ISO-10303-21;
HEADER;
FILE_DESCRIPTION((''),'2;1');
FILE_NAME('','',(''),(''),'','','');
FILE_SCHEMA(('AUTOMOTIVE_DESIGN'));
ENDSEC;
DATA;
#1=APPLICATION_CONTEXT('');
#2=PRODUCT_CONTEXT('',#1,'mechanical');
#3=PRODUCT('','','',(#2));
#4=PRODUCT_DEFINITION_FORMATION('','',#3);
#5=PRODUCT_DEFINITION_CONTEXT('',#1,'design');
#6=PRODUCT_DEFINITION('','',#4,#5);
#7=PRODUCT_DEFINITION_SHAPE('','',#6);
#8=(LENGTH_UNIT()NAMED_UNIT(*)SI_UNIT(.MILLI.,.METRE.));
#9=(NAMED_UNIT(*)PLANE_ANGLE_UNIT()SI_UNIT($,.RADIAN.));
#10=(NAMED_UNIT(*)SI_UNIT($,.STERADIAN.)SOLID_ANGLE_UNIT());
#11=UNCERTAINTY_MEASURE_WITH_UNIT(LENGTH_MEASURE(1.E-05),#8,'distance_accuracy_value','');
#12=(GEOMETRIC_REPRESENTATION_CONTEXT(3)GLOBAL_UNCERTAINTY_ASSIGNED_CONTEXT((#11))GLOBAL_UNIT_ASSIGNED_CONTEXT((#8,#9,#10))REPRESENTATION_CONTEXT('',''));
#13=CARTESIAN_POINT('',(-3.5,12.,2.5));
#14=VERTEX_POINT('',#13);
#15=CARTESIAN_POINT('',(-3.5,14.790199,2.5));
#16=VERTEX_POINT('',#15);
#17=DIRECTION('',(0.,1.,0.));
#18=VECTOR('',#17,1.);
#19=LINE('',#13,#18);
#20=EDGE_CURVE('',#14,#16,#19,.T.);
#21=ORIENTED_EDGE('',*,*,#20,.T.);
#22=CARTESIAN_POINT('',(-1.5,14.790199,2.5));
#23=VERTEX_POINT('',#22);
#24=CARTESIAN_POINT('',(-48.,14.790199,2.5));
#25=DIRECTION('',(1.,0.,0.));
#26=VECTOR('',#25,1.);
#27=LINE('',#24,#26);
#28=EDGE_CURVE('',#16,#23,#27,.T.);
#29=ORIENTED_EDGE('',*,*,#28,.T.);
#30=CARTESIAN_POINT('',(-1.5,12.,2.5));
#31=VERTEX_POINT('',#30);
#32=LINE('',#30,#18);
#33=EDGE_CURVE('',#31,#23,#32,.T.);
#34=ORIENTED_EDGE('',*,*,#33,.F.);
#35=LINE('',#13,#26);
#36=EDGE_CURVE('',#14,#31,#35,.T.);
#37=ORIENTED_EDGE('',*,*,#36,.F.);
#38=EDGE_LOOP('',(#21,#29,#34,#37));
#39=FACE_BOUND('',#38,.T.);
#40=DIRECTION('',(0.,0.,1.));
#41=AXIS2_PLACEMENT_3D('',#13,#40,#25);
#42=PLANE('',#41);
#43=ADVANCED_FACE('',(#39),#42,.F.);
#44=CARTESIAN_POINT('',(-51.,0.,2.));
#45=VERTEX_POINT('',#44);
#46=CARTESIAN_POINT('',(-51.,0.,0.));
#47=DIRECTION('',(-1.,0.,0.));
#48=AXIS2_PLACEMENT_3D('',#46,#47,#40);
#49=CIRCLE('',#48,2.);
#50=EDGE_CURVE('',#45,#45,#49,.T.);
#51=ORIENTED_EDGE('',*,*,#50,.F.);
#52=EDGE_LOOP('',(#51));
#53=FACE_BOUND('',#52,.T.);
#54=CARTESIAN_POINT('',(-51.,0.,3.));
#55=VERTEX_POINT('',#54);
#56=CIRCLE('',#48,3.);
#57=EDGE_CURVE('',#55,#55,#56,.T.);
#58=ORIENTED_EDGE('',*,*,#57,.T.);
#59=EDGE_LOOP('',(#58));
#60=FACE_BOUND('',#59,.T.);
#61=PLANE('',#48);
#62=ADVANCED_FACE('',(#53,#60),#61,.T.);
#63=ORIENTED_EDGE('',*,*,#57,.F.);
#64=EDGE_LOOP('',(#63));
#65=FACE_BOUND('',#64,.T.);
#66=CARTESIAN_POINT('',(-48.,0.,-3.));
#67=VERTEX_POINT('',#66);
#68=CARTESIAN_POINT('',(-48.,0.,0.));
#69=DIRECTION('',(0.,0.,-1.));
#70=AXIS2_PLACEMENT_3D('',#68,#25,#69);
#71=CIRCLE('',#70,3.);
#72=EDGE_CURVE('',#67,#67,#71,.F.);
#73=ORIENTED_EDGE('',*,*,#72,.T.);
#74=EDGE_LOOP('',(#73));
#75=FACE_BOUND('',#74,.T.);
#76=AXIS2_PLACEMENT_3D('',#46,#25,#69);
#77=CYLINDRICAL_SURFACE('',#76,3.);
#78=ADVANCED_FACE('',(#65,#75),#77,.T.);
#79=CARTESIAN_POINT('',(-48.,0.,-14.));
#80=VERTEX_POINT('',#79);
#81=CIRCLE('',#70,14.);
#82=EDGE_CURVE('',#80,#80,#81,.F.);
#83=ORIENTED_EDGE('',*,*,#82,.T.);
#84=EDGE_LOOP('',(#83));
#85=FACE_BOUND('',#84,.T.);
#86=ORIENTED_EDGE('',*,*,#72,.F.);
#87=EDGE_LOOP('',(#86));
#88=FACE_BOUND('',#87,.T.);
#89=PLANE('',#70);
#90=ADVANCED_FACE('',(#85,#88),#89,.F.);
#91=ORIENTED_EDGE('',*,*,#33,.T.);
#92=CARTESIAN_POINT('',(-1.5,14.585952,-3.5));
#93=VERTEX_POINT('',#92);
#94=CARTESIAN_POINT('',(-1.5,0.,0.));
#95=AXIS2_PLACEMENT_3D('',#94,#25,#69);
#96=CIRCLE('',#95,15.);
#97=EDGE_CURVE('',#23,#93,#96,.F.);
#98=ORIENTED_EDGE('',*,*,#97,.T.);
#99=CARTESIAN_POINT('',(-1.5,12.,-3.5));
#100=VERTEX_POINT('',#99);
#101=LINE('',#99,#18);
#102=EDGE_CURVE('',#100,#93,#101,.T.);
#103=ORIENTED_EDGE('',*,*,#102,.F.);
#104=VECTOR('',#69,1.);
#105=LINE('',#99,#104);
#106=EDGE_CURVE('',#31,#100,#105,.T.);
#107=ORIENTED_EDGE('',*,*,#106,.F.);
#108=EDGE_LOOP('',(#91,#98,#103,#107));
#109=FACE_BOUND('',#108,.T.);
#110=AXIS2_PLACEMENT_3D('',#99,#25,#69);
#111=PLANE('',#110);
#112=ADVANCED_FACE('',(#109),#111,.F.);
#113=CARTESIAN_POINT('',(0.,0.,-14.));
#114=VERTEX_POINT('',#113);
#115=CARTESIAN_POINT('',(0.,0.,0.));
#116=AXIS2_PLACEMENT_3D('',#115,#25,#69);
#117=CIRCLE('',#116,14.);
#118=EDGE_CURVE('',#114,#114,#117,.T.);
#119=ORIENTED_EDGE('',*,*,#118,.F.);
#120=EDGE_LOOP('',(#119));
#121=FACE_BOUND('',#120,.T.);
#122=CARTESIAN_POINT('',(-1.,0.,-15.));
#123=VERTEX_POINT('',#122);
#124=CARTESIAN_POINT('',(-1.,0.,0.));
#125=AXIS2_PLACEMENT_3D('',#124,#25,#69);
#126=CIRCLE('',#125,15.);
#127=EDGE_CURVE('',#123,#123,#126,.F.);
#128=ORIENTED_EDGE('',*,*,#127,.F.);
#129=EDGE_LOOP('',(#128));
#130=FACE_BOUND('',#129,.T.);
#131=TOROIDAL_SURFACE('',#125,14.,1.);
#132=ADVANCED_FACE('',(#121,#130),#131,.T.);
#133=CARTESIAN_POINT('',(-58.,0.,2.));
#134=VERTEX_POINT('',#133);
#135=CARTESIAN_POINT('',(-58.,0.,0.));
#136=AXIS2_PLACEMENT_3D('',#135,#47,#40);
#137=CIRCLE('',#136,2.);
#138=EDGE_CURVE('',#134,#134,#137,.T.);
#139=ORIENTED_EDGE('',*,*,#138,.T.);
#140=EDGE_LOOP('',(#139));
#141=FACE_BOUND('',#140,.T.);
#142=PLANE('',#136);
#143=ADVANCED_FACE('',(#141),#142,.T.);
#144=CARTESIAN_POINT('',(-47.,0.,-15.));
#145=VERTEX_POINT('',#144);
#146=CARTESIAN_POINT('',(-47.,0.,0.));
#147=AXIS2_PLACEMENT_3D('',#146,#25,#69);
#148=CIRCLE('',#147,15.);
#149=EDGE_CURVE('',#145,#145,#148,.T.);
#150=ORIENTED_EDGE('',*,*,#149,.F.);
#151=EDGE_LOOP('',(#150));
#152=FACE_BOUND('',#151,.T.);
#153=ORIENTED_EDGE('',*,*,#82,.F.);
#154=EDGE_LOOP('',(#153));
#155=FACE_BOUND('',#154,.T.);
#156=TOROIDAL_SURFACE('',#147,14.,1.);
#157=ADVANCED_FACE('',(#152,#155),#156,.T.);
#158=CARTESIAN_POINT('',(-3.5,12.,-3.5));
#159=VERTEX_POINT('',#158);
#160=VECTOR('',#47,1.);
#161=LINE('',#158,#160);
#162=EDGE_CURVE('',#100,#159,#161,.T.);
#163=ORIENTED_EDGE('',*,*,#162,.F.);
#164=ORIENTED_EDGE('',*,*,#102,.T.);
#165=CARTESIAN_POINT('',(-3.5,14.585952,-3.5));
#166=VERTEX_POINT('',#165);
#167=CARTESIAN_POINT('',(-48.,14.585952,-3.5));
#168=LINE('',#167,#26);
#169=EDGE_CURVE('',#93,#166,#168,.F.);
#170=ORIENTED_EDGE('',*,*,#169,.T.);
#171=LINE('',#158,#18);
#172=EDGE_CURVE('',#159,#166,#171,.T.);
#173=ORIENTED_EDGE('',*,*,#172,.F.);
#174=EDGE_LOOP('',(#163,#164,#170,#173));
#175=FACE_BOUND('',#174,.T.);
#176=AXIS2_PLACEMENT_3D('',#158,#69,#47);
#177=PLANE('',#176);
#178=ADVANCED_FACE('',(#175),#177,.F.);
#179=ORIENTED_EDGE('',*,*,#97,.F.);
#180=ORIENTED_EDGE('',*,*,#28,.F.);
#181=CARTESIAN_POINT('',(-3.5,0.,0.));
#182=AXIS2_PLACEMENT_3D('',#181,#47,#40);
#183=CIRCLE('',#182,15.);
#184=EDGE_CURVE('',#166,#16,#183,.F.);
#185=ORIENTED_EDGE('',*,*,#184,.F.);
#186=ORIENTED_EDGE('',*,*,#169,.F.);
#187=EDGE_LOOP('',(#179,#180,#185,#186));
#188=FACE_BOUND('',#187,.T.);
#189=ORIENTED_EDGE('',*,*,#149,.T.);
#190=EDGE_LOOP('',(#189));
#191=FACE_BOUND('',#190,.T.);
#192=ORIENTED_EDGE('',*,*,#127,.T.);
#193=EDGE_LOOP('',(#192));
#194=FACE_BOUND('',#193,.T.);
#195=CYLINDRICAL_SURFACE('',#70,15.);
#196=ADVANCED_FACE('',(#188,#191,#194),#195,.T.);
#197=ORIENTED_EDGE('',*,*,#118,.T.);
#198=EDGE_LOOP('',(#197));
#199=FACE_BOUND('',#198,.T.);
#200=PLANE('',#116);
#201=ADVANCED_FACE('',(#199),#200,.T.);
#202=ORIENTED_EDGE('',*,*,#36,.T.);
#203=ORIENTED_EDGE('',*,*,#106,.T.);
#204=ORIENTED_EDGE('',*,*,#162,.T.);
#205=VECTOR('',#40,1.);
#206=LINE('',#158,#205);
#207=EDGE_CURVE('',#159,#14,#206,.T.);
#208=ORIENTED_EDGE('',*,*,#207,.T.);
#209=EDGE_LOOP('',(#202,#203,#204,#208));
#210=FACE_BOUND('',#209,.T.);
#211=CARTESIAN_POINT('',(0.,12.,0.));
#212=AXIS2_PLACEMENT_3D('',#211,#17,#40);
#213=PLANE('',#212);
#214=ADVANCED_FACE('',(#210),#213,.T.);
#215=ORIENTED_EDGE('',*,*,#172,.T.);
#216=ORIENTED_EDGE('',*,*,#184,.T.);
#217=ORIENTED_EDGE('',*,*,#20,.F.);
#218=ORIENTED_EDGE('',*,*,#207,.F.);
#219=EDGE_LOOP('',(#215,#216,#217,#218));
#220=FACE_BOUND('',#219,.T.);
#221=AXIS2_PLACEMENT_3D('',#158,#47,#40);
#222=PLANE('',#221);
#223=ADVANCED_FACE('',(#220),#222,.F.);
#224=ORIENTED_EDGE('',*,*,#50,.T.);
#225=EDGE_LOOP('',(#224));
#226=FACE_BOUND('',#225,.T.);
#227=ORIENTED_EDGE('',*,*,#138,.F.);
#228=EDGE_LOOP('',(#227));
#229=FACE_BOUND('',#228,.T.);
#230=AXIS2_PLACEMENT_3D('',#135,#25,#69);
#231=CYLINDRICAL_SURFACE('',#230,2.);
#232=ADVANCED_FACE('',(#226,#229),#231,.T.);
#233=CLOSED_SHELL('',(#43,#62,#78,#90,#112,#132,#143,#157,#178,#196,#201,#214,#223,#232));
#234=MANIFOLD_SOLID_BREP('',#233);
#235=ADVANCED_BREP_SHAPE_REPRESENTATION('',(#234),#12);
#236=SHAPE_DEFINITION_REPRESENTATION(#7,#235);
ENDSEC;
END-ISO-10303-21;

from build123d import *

# Parameters (mm, degrees)
SKETCH_1_R          = 15
EXTRUDE_1_DEPTH     = 48
SKETCH_2_R          = 2
EXTRUDE_2_DEPTH     = 10
SKETCH_3_R          = 3
EXTRUDE_3_DEPTH     = 3
FILLET_1_R          = 1
FILLET_2_R          = 1
CUT_EXTRUDE_START   = 15
SKETCH_4_W          = 2
SKETCH_4_H          = 6
CUT_EXTRUDE_1_DEPTH = 3


with BuildPart() as part:
    # 草图1 → 凸台-拉伸1 (new body)
    with BuildSketch(Plane(origin=(0, 0, 0), x_dir=(0, 0, -1), z_dir=(1, 0, 0))):
        Circle(SKETCH_1_R)
    extrude(amount=-EXTRUDE_1_DEPTH)

    # 草图2 → 凸台-拉伸2 (add)
    with BuildSketch(Plane.ZY.offset(48)):
        with Locations(Location((0, 0, 0), (0, 0, 180))):
            Circle(SKETCH_2_R)
    extrude(amount=EXTRUDE_2_DEPTH)

    # 草图3 → 凸台-拉伸3 (add)
    with BuildSketch(Plane.ZY.offset(48)):
        with Locations(Location((0, 0, 0), (0, 0, 180))):
            Circle(SKETCH_3_R)
    extrude(amount=EXTRUDE_3_DEPTH)

    # 圆角1
    fillet_1_edges = [part.edges().sort_by_distance(p)[0] for p in [
        (-48, 0, 15),
    ]]
    fillet(fillet_1_edges, radius=FILLET_1_R)

    # 圆角2
    fillet_2_edges = [part.edges().sort_by_distance(p)[0] for p in [
        (0, 0, 15),
    ]]
    fillet(fillet_2_edges, radius=FILLET_2_R)

    # 草图4 → 切除-拉伸1 (cut)
    with BuildSketch(Plane(origin=(0, 0, 0), x_dir=(1, 0, 0), z_dir=(0, 1, 0)).offset(CUT_EXTRUDE_START)):
        with Locations((-2.5, 0.5)):
            Rectangle(SKETCH_4_W, SKETCH_4_H)
    extrude(amount=-CUT_EXTRUDE_1_DEPTH, mode=Mode.SUBTRACT)


solid = part.part
